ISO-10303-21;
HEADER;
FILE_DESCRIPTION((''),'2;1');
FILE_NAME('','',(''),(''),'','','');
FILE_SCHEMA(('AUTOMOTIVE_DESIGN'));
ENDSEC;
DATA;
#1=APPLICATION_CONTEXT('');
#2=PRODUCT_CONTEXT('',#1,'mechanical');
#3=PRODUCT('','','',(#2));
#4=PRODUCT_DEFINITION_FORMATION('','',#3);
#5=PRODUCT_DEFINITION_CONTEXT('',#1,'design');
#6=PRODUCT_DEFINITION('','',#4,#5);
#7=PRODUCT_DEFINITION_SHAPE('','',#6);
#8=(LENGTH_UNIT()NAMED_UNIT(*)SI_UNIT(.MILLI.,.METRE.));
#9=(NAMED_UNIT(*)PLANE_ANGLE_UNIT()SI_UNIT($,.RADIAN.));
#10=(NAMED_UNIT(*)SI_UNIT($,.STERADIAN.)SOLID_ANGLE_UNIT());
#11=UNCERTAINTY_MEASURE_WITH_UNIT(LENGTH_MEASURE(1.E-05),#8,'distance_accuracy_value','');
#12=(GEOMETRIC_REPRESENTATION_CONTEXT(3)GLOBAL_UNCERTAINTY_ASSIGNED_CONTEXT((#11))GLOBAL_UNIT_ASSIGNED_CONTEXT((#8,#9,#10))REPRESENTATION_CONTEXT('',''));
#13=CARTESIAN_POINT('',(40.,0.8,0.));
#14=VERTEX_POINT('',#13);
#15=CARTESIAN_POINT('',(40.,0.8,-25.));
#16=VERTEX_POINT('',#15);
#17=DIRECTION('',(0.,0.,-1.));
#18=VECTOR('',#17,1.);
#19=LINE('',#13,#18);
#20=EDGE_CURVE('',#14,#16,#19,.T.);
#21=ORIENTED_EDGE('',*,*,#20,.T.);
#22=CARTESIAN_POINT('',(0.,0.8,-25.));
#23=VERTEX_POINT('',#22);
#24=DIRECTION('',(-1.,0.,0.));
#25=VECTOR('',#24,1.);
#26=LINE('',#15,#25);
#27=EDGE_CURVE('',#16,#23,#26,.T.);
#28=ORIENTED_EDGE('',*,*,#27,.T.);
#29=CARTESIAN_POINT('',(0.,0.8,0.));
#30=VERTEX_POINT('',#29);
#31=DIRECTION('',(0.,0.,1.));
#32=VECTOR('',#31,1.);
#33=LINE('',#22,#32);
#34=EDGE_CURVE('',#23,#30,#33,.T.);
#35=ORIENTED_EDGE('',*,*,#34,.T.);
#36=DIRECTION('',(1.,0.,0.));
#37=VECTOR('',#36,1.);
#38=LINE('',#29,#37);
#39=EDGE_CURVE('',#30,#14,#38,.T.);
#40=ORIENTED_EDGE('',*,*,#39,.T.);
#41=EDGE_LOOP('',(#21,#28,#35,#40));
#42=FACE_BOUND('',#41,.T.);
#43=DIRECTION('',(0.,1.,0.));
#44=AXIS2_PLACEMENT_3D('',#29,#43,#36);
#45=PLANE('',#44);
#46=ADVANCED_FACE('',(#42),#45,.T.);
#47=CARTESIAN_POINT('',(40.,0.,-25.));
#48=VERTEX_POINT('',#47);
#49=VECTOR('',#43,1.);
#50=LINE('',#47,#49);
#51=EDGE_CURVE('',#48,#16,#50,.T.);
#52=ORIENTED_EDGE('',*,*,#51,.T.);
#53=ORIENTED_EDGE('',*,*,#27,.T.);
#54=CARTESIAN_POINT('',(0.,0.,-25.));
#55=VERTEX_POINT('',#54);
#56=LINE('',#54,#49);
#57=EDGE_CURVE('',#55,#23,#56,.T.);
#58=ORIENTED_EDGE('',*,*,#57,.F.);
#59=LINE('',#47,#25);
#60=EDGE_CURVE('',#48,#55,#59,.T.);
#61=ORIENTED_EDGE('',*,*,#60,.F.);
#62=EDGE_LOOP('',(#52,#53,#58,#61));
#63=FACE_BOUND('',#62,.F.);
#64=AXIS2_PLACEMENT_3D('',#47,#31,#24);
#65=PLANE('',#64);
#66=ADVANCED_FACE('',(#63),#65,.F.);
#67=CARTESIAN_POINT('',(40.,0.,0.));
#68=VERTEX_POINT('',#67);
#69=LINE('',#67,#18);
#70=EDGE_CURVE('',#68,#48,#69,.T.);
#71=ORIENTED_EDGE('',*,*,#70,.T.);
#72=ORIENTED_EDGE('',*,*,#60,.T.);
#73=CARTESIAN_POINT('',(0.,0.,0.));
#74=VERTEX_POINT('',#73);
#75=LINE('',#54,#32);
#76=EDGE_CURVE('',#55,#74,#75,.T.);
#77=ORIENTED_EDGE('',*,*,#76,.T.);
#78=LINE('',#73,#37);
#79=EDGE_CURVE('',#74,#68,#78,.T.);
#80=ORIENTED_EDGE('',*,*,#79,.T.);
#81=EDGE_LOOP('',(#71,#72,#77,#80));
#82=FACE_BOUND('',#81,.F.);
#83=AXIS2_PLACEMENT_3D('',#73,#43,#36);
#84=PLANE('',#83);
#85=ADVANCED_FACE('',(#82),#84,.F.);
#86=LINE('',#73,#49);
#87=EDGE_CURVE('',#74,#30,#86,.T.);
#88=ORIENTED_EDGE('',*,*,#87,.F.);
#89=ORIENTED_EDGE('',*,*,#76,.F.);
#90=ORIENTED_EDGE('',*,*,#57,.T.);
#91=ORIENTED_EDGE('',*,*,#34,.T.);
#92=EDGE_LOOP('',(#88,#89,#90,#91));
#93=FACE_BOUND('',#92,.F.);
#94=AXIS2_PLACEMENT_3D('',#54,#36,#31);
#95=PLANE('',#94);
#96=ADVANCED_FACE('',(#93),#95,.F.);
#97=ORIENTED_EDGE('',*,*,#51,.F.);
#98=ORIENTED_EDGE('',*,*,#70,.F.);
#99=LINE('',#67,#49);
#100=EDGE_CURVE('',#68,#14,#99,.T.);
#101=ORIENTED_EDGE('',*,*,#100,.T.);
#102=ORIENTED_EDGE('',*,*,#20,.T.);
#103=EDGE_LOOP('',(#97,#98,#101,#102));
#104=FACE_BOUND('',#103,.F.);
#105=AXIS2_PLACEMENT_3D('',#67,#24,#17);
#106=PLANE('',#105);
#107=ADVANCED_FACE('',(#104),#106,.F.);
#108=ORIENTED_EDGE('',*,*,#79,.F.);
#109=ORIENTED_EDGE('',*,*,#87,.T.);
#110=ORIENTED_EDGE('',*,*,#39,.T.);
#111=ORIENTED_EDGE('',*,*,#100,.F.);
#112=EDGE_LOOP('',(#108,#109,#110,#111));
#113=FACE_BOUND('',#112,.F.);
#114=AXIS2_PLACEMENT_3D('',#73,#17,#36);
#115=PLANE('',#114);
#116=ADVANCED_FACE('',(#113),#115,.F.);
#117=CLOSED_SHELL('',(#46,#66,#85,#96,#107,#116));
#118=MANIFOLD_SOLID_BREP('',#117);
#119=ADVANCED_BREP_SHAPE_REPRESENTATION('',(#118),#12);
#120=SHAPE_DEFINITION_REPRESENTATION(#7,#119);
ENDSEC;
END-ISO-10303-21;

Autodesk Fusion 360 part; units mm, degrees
sketch "Skizze1" plane through (0, 0, 0) normal (0, 1, 0) x (1, 0, 0)
  line L0 (0, 0) -> (40, 0)
  line L1 (40, 0) -> (40, 25)
  line L2 (40, 25) -> (0, 25)
  line L3 (0, 25) -> (0, 0)
  dimension "d1" = 40
  dimension "d2" = 25
extrude "Extrusion1" add sketch "Skizze1" along normal blind 0.8
sketch "Skizze2" plane through (0, 0.8, 0) normal (0, 1, 0) x (-1, 0, 0)
  line L0 (0, -25) -> (0, 0)
  line L1 (0, 0) -> (-40, 0)
  line L2 (-40, 0) -> (-40, -25)
  line L3 (-40, -25) -> (0, -25)
  line L4 (-0.9094, -1.0621) -> (-38.9956, -1.0184) construction
  line L5 (-38.9956, -1.0184) -> (-39.022, -23.9838) construction
  line L6 (-39.022, -23.9838) -> (-0.9358, -24.0275) construction
  line L7 (-0.9358, -24.0275) -> (-0.9094, -1.0621) construction
